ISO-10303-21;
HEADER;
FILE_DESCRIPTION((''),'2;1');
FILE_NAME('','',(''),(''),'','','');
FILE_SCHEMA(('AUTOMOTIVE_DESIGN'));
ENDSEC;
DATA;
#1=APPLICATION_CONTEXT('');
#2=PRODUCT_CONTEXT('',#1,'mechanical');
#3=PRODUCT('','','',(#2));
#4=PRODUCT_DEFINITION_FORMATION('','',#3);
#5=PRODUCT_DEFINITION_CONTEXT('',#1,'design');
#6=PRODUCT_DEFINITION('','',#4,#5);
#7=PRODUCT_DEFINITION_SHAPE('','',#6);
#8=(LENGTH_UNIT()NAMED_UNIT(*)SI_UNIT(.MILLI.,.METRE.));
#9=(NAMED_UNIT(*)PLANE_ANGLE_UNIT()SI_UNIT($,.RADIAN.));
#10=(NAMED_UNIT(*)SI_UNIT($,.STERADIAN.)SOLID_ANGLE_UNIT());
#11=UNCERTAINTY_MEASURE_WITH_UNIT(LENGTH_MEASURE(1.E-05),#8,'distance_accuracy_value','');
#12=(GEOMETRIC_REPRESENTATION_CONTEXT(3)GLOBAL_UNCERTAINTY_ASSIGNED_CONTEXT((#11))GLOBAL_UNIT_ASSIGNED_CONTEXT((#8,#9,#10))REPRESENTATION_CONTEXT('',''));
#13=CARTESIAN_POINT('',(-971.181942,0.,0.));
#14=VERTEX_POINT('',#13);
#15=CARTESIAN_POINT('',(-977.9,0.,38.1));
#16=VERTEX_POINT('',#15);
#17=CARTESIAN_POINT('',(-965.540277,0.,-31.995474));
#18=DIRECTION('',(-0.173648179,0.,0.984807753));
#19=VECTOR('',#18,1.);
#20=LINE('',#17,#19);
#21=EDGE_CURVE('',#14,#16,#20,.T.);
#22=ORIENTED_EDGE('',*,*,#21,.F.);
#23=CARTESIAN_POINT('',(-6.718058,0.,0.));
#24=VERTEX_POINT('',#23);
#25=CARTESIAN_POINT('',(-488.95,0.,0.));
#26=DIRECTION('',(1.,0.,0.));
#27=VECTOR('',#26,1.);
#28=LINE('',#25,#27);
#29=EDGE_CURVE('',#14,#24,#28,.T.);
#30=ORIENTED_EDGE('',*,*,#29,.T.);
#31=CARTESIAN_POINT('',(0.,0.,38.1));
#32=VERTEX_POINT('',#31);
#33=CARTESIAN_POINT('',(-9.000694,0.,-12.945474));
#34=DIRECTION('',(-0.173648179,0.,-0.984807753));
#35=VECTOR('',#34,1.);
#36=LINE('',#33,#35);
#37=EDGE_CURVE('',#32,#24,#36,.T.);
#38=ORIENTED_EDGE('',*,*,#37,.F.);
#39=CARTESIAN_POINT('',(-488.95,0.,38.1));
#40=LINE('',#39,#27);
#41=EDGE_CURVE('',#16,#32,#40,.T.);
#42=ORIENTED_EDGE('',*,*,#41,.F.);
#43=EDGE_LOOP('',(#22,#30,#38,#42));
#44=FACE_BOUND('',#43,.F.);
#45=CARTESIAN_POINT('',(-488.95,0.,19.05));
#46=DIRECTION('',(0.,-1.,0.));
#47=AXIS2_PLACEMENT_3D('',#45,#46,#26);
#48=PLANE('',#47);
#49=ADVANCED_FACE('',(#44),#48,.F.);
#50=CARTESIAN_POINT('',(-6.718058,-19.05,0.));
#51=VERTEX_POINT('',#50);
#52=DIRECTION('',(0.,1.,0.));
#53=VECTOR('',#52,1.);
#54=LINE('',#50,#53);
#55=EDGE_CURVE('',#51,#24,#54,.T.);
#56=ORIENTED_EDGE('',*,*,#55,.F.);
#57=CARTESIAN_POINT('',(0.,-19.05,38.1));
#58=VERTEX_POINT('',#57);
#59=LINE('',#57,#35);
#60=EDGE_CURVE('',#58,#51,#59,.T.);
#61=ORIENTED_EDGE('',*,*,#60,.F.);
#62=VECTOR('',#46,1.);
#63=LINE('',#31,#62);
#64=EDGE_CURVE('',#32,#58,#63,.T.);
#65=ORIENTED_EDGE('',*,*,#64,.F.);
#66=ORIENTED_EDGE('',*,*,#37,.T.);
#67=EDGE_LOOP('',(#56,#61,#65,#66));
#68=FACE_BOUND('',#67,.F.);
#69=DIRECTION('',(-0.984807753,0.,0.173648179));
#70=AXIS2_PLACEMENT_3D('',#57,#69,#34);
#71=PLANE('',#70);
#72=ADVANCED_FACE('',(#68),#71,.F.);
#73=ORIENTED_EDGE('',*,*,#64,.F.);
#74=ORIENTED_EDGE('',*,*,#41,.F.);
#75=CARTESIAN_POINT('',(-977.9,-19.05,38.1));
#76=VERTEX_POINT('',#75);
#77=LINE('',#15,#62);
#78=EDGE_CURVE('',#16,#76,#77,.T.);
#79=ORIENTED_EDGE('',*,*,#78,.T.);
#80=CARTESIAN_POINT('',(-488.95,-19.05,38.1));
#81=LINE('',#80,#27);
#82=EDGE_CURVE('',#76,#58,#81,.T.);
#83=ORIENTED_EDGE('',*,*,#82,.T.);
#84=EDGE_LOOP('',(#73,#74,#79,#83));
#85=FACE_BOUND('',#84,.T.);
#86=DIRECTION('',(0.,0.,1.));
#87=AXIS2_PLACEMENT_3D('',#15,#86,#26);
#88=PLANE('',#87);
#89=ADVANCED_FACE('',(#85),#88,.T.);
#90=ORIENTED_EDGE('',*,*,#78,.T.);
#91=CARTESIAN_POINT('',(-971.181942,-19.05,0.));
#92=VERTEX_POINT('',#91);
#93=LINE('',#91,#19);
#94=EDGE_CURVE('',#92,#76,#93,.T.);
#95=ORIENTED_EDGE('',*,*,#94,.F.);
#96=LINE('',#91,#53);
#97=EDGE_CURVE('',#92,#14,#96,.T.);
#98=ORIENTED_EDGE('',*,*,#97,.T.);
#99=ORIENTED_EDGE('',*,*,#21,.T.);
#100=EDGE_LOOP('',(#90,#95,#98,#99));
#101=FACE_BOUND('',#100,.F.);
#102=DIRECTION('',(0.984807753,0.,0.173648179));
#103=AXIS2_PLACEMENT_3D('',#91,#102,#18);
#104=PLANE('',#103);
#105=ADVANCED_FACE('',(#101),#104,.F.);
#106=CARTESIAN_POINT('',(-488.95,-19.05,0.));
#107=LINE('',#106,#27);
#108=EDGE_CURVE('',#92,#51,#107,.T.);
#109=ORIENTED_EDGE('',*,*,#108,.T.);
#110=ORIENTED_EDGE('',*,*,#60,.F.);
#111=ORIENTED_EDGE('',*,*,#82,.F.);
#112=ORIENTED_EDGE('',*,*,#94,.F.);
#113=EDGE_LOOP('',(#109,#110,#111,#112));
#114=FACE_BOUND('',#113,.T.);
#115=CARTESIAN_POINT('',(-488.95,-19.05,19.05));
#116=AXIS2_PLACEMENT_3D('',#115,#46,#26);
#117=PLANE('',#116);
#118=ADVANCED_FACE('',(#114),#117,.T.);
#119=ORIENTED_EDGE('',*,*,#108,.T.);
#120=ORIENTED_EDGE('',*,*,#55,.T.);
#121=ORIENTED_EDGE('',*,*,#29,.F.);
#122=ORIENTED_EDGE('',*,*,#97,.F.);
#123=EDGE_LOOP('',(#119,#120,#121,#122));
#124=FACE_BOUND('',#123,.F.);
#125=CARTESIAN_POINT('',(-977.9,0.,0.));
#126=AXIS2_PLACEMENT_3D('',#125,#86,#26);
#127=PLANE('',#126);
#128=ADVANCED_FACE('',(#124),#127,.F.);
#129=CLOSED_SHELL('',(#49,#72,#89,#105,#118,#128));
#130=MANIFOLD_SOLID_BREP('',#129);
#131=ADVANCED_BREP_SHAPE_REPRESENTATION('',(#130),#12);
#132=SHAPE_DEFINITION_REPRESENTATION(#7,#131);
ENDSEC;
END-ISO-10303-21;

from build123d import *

# Parameters (mm, degrees)
F0_W     = 977.9
F0_H     = 38.1
F1_DEPTH = 19.05
F3_DEPTH = 25.4
F5_DEPTH = 25.4


with BuildPart() as f1:
    # F0 (on Front) → F1 (new body)
    with BuildSketch(Plane.XZ):
        with Locations((-488.95, 19.05)):
            Rectangle(F0_W, F0_H)
    extrude(amount=F1_DEPTH)

    # F2 (on face) → F3 (cut)
    with BuildSketch(Plane.XZ.offset(19.05)):
        Polygon((-971.181942, 0), (-977.9, 38.1), (-977.9, 0), align=None)
    extrude(amount=-F3_DEPTH, mode=Mode.SUBTRACT)

    # F4 (on face) → F5 (cut)
    with BuildSketch(Plane.XZ.offset(19.05)):
        Polygon((0, 0), (0, 38.1), (-6.718058, 0), align=None)
    extrude(amount=-F5_DEPTH, mode=Mode.SUBTRACT)


solid = f1.part
